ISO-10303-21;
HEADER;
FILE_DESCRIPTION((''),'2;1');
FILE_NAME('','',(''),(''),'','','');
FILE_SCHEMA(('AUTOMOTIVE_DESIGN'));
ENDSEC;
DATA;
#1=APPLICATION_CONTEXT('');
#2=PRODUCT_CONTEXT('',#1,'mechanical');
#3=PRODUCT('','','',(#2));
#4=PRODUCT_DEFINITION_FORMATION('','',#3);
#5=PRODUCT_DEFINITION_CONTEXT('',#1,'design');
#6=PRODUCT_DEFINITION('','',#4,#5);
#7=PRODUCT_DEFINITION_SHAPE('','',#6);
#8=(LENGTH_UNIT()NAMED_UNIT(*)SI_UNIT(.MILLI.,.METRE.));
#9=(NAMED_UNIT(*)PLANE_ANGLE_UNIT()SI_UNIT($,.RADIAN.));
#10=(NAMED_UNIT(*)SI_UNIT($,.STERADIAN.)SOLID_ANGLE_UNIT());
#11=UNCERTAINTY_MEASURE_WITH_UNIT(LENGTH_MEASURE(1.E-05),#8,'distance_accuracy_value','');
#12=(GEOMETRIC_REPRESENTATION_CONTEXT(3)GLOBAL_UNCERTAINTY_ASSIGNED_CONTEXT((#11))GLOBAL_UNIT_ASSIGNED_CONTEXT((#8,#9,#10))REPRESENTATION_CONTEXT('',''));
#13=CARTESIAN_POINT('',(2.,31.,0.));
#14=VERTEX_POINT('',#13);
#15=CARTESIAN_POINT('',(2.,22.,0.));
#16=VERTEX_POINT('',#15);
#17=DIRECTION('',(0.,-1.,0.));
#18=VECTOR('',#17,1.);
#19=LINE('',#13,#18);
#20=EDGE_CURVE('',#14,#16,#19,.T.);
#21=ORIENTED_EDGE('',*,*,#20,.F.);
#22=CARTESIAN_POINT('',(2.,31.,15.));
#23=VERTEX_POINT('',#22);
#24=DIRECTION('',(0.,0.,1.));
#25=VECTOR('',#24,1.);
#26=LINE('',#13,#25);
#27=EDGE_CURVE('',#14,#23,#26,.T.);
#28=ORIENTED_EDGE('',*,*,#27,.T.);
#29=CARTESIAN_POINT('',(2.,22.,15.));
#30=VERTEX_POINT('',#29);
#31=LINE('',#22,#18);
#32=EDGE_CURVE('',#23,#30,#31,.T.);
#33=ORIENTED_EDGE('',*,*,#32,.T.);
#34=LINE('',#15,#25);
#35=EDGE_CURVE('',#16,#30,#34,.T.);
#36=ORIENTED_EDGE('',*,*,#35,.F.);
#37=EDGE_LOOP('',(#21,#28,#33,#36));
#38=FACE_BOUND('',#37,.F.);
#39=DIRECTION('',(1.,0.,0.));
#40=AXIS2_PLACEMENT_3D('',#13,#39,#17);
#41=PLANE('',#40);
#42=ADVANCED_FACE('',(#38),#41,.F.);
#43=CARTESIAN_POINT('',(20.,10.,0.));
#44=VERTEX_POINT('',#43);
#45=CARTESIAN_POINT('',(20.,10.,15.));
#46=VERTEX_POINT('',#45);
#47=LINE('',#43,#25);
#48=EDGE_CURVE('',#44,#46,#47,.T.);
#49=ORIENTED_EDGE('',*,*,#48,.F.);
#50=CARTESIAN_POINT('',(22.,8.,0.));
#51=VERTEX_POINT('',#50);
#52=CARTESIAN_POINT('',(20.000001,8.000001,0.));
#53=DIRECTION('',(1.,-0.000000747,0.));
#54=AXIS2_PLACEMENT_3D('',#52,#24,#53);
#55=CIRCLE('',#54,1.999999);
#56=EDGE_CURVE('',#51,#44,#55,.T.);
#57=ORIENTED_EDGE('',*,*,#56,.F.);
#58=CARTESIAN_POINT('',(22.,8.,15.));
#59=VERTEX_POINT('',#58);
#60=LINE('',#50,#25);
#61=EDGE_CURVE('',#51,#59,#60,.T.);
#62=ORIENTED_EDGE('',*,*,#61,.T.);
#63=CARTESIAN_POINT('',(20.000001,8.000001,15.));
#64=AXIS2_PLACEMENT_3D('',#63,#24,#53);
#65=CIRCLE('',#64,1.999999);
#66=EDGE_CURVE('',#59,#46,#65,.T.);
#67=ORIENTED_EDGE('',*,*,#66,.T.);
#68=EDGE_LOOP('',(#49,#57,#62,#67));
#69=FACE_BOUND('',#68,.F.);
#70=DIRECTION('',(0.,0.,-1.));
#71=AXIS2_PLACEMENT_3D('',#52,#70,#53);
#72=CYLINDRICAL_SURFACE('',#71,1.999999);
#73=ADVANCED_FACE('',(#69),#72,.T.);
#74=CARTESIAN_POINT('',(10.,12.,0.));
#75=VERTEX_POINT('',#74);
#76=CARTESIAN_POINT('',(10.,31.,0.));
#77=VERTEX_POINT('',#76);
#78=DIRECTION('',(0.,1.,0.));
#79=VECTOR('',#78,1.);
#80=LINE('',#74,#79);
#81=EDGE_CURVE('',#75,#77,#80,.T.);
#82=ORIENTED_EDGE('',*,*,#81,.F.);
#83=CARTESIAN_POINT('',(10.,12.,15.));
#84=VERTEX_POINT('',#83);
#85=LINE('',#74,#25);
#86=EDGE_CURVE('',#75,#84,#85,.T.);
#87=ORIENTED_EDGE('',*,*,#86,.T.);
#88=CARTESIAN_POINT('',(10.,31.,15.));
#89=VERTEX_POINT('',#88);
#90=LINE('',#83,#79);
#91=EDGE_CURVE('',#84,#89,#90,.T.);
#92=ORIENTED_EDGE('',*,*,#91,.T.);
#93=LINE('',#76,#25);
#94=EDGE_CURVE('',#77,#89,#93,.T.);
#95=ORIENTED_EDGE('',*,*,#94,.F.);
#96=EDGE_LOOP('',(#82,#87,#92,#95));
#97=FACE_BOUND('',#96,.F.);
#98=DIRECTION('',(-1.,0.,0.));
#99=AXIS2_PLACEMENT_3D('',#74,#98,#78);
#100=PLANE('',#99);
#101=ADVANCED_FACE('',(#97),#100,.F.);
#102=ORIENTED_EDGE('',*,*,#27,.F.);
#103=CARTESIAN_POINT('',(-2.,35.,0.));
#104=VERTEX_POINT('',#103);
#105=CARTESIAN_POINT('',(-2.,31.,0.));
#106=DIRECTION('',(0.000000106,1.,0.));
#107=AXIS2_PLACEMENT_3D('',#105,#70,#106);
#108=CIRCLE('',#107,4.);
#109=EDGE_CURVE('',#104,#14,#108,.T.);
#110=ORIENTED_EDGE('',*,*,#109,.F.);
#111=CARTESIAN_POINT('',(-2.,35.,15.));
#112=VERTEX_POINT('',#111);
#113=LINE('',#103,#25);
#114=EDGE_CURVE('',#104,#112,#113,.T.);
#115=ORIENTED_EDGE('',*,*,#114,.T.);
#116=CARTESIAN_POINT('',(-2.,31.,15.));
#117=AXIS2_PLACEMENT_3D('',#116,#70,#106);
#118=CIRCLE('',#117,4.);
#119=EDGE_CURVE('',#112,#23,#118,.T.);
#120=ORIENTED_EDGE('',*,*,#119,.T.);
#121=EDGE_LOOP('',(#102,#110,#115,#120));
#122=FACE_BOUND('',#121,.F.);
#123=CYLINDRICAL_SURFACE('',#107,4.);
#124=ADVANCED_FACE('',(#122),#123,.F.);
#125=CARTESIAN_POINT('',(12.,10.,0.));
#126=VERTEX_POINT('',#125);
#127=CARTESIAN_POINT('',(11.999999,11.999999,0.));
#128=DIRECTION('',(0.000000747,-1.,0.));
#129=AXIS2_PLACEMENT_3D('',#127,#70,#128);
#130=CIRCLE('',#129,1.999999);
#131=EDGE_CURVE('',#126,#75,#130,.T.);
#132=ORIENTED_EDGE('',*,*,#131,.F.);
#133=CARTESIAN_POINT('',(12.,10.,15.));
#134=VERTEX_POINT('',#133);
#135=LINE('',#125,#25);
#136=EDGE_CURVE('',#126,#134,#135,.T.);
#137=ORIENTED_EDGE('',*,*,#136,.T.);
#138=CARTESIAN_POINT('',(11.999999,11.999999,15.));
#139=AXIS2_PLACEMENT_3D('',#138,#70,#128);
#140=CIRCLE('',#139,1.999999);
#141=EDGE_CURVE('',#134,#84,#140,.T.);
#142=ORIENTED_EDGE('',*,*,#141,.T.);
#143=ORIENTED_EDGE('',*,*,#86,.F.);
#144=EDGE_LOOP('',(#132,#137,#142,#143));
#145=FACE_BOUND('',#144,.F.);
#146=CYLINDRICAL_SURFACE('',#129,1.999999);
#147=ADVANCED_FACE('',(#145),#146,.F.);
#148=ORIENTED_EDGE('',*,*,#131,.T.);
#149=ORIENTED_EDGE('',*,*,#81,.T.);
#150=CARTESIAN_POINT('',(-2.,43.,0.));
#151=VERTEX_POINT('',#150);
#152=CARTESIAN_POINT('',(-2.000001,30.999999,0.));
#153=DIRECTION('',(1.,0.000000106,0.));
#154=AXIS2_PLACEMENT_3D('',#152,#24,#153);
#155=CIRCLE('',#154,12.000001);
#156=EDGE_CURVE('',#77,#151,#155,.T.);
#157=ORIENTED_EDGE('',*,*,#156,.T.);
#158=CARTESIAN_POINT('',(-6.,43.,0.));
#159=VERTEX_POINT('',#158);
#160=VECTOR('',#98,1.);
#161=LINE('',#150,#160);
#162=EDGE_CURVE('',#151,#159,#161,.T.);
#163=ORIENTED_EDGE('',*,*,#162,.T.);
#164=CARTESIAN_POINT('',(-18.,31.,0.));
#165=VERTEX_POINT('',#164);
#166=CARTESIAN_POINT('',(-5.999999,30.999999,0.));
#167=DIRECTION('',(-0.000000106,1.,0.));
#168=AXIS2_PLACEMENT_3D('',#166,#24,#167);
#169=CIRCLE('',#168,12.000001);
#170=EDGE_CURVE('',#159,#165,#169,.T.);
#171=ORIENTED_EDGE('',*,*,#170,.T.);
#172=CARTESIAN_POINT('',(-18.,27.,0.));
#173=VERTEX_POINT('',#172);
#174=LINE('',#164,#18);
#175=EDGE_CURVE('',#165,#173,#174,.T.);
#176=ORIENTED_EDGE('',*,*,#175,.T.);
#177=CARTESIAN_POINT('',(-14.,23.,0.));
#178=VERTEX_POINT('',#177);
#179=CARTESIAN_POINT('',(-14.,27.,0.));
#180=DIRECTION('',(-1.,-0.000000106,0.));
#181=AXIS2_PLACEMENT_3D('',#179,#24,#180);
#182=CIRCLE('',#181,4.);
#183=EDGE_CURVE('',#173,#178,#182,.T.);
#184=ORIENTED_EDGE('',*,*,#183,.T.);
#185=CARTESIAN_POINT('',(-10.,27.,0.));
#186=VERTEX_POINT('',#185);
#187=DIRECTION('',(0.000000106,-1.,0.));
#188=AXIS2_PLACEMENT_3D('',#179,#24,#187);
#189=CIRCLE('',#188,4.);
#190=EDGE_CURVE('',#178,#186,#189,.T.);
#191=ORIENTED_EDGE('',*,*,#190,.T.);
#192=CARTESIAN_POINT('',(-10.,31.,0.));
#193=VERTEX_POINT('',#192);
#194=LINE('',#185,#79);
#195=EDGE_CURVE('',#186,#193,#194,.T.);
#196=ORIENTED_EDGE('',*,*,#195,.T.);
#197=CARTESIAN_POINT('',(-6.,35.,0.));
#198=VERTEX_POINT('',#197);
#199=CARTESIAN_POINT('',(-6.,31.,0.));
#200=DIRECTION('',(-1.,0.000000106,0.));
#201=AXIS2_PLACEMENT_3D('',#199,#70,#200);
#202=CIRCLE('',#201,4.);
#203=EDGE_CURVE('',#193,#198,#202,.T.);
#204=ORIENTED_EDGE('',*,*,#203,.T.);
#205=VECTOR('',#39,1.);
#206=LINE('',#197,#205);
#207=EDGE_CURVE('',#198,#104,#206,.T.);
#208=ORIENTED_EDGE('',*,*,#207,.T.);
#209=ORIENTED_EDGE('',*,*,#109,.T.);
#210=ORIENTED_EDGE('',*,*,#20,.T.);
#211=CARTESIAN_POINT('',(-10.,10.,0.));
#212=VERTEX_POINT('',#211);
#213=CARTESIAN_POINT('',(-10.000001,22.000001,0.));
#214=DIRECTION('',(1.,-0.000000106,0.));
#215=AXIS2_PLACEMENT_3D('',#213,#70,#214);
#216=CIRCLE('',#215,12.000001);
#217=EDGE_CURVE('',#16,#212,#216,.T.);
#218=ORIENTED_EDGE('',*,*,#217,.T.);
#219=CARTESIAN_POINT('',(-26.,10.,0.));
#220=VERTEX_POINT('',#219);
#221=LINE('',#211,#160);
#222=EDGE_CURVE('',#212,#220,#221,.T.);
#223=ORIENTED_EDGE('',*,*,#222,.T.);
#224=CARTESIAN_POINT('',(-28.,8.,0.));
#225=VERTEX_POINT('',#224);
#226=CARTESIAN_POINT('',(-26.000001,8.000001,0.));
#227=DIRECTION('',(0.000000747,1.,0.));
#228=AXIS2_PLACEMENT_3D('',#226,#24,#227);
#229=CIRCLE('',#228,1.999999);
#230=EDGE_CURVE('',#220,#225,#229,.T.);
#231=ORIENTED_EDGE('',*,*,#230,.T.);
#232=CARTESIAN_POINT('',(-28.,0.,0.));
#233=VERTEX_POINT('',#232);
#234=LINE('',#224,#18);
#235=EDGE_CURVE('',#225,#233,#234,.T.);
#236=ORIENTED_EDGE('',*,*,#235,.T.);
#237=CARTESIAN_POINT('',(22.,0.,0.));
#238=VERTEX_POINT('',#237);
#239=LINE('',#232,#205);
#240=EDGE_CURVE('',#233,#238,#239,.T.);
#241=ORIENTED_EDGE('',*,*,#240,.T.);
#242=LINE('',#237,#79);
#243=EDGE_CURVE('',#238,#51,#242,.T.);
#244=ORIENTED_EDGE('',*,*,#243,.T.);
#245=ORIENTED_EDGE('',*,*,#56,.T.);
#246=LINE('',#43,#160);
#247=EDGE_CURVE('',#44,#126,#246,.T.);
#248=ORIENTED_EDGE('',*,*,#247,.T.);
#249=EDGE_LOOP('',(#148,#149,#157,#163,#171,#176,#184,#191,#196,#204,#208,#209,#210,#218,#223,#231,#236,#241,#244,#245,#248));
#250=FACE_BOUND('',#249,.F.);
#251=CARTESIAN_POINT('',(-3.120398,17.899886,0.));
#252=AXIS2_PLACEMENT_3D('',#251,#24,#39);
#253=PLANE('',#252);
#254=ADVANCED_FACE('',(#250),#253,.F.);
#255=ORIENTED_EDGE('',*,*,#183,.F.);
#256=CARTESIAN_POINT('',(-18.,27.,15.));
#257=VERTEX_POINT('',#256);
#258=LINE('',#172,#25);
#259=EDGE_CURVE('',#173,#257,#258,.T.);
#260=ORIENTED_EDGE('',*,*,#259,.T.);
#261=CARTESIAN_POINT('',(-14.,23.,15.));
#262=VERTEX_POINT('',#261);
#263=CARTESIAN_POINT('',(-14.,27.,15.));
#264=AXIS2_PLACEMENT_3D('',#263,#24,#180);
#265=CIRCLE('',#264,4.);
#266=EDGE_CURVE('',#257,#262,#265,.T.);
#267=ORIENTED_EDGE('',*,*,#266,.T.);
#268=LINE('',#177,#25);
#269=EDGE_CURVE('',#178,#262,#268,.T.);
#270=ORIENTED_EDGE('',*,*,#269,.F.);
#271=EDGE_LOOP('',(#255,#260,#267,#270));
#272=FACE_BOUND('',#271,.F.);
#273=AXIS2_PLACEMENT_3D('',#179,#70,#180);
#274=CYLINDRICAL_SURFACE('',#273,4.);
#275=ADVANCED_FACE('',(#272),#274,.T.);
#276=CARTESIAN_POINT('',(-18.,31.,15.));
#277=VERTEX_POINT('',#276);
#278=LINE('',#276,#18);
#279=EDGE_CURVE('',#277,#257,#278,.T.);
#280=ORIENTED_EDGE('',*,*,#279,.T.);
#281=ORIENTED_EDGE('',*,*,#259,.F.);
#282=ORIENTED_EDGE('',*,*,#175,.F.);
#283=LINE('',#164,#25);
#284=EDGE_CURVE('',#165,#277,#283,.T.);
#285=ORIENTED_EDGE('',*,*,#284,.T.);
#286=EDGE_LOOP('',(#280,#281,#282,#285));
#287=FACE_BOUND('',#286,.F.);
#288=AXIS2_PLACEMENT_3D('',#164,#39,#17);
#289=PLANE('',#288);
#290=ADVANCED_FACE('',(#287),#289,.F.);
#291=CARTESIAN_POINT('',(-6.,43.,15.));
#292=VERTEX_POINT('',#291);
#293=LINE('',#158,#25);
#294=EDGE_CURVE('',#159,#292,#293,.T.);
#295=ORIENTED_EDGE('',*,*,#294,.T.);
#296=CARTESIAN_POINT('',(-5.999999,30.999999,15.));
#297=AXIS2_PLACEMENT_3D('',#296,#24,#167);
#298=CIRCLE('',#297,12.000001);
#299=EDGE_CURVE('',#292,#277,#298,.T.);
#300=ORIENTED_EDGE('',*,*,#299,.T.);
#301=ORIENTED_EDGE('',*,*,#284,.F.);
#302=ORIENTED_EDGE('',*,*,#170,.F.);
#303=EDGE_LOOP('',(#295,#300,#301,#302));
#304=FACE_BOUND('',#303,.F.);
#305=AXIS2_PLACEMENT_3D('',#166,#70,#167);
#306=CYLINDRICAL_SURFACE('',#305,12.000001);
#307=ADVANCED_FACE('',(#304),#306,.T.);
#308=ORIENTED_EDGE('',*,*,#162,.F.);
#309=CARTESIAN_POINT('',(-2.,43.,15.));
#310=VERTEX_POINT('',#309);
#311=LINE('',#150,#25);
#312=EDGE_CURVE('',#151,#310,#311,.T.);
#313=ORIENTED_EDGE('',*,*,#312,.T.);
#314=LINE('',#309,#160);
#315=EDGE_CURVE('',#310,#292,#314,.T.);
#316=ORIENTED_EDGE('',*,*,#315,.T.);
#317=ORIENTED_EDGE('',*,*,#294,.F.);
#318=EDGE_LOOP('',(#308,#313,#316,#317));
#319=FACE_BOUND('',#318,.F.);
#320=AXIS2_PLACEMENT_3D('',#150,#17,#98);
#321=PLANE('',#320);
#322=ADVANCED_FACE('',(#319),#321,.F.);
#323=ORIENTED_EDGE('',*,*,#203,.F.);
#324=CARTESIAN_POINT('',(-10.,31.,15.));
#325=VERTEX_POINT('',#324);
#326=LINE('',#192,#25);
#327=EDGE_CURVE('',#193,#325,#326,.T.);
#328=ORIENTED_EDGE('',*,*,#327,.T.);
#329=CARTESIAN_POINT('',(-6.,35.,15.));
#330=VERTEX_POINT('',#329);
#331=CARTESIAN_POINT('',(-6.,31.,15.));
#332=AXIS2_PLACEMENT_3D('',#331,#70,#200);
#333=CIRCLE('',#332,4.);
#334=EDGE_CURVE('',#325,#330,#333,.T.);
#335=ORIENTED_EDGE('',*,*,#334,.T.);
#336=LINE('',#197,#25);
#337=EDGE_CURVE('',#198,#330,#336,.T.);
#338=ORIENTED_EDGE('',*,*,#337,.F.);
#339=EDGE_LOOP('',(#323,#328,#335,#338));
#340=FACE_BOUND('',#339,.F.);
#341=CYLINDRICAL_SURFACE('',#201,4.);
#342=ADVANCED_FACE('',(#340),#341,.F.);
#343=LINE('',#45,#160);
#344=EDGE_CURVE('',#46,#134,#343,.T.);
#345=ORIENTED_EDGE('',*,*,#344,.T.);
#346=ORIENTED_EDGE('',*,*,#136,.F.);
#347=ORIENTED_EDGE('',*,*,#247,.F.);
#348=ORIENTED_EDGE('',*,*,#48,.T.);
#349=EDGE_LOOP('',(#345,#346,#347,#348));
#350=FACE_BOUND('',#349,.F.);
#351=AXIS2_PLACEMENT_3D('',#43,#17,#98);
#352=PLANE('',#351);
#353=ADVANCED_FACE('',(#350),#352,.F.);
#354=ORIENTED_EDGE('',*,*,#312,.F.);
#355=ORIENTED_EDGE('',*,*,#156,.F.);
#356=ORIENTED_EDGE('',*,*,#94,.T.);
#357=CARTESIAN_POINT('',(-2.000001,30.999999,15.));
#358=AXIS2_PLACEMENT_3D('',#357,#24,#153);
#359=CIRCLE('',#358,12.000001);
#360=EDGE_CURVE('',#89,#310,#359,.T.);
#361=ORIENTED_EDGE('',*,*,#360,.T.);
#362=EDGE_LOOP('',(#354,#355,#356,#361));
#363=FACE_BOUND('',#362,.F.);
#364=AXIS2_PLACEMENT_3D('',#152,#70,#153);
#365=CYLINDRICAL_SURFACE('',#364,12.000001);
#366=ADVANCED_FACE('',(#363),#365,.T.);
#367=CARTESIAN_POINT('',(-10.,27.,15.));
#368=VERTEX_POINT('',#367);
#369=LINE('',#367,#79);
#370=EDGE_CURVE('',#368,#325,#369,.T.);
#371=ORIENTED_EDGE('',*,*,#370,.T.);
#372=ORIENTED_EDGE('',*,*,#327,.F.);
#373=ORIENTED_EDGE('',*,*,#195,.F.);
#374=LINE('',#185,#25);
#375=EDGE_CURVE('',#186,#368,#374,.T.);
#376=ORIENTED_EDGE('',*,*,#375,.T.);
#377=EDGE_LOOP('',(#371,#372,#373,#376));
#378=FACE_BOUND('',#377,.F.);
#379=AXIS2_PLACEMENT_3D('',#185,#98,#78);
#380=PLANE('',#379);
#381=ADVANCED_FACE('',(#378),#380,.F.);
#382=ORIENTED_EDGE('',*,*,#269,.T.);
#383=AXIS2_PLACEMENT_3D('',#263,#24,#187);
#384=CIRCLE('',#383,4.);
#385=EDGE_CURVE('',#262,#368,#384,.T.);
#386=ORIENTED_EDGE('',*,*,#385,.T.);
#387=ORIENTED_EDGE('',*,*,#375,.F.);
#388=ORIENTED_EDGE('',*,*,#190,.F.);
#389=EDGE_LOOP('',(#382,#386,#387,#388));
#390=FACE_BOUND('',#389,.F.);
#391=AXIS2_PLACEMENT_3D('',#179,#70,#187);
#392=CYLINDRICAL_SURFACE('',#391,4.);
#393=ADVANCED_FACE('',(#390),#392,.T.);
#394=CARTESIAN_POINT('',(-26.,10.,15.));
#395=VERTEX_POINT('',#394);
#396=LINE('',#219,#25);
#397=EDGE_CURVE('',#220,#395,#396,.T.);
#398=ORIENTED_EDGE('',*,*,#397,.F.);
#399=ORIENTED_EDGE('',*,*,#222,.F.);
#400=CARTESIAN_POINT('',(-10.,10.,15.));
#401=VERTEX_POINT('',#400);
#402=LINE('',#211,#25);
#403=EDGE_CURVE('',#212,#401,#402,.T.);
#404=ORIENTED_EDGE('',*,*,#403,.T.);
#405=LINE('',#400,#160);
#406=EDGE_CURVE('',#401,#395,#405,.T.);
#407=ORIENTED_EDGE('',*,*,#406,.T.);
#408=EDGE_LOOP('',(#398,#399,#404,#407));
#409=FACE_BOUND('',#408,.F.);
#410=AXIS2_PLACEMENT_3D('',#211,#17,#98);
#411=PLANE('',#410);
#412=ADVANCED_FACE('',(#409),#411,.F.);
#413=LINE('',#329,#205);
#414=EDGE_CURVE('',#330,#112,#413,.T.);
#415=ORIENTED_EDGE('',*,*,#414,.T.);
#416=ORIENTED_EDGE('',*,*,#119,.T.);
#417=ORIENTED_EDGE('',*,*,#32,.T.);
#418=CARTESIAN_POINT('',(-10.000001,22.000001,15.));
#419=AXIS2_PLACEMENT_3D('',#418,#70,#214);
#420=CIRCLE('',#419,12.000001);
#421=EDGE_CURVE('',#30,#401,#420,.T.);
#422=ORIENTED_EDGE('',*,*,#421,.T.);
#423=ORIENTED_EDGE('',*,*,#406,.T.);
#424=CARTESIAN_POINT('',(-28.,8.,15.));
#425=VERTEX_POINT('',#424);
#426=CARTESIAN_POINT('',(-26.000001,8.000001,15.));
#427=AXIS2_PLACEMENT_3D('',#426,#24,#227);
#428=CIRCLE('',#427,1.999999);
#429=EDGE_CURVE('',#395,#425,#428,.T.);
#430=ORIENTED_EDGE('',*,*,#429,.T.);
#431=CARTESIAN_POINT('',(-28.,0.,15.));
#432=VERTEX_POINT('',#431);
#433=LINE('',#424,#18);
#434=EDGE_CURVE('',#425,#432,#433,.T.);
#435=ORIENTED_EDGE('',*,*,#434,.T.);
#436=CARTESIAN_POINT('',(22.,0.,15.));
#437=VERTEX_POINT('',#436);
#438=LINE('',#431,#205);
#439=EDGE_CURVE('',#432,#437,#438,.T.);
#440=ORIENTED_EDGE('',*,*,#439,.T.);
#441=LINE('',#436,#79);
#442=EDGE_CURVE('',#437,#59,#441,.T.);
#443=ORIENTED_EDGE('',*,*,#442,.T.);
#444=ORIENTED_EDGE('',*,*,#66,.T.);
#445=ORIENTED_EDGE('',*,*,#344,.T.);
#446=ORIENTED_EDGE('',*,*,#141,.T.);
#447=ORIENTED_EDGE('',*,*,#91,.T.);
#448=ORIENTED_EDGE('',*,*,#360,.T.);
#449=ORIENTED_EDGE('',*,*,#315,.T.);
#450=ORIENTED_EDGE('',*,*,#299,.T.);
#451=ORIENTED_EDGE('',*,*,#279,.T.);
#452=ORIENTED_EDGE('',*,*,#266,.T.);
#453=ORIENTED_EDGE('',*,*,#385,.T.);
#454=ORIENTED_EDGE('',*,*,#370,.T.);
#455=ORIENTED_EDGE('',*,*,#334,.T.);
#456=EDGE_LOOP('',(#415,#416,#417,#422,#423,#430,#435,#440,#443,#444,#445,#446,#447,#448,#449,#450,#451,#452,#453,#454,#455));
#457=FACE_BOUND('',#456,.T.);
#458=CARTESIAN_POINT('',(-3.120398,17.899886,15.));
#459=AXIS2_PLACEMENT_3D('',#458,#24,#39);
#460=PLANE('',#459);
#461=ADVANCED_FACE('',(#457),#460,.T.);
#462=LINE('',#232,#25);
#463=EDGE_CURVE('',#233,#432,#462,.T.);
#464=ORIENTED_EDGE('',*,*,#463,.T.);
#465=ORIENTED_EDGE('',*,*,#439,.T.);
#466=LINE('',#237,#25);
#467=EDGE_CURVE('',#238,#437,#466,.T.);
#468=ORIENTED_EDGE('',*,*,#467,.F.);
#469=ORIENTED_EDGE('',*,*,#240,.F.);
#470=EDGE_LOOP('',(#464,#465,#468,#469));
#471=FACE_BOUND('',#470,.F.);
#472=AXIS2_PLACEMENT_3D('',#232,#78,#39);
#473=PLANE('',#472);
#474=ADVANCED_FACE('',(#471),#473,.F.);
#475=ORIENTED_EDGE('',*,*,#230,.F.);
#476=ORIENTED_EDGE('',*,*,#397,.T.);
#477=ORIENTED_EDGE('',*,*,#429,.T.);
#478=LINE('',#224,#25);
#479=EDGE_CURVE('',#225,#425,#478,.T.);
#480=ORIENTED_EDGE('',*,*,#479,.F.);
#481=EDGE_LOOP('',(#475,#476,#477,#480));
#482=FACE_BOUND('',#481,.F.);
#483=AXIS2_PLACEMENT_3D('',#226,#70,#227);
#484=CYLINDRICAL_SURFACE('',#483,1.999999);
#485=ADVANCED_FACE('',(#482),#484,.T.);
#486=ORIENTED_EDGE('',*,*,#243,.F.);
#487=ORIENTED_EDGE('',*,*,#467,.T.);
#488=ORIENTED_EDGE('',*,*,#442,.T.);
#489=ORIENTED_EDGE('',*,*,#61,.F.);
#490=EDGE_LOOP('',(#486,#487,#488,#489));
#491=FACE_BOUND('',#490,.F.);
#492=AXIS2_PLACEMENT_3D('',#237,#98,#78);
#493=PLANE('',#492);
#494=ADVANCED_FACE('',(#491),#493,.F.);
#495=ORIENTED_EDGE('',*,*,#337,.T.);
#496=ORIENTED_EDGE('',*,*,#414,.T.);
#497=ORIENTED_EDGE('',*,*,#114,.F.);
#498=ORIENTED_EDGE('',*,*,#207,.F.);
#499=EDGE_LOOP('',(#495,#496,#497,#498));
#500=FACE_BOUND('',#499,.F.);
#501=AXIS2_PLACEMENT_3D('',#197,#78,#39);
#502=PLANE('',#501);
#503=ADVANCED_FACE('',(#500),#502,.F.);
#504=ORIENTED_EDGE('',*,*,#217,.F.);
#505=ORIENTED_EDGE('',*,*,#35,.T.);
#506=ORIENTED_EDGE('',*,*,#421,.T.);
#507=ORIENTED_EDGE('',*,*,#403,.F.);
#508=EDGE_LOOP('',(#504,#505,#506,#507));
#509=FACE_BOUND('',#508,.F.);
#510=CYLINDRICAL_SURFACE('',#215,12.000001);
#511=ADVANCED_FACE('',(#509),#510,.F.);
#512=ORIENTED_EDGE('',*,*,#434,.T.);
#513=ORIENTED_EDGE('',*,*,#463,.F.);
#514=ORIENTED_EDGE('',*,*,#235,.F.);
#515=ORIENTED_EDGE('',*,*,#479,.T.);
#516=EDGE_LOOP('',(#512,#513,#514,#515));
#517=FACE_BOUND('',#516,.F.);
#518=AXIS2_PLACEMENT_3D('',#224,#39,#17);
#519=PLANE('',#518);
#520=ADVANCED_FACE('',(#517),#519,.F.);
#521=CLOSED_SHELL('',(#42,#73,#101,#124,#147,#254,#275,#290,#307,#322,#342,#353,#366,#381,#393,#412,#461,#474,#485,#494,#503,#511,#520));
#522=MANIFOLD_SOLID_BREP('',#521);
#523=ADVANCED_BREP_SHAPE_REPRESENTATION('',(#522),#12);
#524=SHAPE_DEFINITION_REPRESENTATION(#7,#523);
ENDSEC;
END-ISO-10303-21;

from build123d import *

# Parameters (mm, degrees)
F1_DEPTH = 15


with BuildPart() as f1:
    # F0 (on Top) → F1 (new body)
    with BuildSketch(Plane.XY):
        with BuildLine():
            Line((-28, 8), (-28, 0))
            Line((-28, 0), (22, 0))
            Line((22, 0), (22, 8))
            ThreePointArc((22, 8), (21.414214, 9.414214), (20, 10))
            Line((20, 10), (12, 10))
            ThreePointArc((12, 10), (10.585786, 10.585786), (10, 12))
            Line((10, 12), (10, 31))
            ThreePointArc((10, 31), (6.485281, 39.485281), (-2, 43))
            Line((-2, 43), (-3.051823, 43))
            Line((-3.051823, 43), (-6, 43))
            ThreePointArc((-6, 43), (-14.485281, 39.485281), (-18, 31))
            Line((-18, 31), (-18, 27))
            ThreePointArc((-18, 27), (-16.828427, 24.171573), (-14, 23))
            ThreePointArc((-14, 23), (-11.171573, 24.171573), (-10, 27))
            Line((-10, 27), (-10, 31))
            ThreePointArc((-10, 31), (-8.828427, 33.828427), (-6, 35))
            Line((-6, 35), (-2, 35))
            ThreePointArc((-2, 35), (0.828427, 33.828427), (2, 31))
            Line((2, 31), (2, 22))
            ThreePointArc((2, 22), (-1.514719, 13.514719), (-10, 10))
            Line((-10, 10), (-26, 10))
            ThreePointArc((-26, 10), (-27.414214, 9.414214), (-28, 8))
        make_face()
    extrude(amount=F1_DEPTH)


solid = f1.part
